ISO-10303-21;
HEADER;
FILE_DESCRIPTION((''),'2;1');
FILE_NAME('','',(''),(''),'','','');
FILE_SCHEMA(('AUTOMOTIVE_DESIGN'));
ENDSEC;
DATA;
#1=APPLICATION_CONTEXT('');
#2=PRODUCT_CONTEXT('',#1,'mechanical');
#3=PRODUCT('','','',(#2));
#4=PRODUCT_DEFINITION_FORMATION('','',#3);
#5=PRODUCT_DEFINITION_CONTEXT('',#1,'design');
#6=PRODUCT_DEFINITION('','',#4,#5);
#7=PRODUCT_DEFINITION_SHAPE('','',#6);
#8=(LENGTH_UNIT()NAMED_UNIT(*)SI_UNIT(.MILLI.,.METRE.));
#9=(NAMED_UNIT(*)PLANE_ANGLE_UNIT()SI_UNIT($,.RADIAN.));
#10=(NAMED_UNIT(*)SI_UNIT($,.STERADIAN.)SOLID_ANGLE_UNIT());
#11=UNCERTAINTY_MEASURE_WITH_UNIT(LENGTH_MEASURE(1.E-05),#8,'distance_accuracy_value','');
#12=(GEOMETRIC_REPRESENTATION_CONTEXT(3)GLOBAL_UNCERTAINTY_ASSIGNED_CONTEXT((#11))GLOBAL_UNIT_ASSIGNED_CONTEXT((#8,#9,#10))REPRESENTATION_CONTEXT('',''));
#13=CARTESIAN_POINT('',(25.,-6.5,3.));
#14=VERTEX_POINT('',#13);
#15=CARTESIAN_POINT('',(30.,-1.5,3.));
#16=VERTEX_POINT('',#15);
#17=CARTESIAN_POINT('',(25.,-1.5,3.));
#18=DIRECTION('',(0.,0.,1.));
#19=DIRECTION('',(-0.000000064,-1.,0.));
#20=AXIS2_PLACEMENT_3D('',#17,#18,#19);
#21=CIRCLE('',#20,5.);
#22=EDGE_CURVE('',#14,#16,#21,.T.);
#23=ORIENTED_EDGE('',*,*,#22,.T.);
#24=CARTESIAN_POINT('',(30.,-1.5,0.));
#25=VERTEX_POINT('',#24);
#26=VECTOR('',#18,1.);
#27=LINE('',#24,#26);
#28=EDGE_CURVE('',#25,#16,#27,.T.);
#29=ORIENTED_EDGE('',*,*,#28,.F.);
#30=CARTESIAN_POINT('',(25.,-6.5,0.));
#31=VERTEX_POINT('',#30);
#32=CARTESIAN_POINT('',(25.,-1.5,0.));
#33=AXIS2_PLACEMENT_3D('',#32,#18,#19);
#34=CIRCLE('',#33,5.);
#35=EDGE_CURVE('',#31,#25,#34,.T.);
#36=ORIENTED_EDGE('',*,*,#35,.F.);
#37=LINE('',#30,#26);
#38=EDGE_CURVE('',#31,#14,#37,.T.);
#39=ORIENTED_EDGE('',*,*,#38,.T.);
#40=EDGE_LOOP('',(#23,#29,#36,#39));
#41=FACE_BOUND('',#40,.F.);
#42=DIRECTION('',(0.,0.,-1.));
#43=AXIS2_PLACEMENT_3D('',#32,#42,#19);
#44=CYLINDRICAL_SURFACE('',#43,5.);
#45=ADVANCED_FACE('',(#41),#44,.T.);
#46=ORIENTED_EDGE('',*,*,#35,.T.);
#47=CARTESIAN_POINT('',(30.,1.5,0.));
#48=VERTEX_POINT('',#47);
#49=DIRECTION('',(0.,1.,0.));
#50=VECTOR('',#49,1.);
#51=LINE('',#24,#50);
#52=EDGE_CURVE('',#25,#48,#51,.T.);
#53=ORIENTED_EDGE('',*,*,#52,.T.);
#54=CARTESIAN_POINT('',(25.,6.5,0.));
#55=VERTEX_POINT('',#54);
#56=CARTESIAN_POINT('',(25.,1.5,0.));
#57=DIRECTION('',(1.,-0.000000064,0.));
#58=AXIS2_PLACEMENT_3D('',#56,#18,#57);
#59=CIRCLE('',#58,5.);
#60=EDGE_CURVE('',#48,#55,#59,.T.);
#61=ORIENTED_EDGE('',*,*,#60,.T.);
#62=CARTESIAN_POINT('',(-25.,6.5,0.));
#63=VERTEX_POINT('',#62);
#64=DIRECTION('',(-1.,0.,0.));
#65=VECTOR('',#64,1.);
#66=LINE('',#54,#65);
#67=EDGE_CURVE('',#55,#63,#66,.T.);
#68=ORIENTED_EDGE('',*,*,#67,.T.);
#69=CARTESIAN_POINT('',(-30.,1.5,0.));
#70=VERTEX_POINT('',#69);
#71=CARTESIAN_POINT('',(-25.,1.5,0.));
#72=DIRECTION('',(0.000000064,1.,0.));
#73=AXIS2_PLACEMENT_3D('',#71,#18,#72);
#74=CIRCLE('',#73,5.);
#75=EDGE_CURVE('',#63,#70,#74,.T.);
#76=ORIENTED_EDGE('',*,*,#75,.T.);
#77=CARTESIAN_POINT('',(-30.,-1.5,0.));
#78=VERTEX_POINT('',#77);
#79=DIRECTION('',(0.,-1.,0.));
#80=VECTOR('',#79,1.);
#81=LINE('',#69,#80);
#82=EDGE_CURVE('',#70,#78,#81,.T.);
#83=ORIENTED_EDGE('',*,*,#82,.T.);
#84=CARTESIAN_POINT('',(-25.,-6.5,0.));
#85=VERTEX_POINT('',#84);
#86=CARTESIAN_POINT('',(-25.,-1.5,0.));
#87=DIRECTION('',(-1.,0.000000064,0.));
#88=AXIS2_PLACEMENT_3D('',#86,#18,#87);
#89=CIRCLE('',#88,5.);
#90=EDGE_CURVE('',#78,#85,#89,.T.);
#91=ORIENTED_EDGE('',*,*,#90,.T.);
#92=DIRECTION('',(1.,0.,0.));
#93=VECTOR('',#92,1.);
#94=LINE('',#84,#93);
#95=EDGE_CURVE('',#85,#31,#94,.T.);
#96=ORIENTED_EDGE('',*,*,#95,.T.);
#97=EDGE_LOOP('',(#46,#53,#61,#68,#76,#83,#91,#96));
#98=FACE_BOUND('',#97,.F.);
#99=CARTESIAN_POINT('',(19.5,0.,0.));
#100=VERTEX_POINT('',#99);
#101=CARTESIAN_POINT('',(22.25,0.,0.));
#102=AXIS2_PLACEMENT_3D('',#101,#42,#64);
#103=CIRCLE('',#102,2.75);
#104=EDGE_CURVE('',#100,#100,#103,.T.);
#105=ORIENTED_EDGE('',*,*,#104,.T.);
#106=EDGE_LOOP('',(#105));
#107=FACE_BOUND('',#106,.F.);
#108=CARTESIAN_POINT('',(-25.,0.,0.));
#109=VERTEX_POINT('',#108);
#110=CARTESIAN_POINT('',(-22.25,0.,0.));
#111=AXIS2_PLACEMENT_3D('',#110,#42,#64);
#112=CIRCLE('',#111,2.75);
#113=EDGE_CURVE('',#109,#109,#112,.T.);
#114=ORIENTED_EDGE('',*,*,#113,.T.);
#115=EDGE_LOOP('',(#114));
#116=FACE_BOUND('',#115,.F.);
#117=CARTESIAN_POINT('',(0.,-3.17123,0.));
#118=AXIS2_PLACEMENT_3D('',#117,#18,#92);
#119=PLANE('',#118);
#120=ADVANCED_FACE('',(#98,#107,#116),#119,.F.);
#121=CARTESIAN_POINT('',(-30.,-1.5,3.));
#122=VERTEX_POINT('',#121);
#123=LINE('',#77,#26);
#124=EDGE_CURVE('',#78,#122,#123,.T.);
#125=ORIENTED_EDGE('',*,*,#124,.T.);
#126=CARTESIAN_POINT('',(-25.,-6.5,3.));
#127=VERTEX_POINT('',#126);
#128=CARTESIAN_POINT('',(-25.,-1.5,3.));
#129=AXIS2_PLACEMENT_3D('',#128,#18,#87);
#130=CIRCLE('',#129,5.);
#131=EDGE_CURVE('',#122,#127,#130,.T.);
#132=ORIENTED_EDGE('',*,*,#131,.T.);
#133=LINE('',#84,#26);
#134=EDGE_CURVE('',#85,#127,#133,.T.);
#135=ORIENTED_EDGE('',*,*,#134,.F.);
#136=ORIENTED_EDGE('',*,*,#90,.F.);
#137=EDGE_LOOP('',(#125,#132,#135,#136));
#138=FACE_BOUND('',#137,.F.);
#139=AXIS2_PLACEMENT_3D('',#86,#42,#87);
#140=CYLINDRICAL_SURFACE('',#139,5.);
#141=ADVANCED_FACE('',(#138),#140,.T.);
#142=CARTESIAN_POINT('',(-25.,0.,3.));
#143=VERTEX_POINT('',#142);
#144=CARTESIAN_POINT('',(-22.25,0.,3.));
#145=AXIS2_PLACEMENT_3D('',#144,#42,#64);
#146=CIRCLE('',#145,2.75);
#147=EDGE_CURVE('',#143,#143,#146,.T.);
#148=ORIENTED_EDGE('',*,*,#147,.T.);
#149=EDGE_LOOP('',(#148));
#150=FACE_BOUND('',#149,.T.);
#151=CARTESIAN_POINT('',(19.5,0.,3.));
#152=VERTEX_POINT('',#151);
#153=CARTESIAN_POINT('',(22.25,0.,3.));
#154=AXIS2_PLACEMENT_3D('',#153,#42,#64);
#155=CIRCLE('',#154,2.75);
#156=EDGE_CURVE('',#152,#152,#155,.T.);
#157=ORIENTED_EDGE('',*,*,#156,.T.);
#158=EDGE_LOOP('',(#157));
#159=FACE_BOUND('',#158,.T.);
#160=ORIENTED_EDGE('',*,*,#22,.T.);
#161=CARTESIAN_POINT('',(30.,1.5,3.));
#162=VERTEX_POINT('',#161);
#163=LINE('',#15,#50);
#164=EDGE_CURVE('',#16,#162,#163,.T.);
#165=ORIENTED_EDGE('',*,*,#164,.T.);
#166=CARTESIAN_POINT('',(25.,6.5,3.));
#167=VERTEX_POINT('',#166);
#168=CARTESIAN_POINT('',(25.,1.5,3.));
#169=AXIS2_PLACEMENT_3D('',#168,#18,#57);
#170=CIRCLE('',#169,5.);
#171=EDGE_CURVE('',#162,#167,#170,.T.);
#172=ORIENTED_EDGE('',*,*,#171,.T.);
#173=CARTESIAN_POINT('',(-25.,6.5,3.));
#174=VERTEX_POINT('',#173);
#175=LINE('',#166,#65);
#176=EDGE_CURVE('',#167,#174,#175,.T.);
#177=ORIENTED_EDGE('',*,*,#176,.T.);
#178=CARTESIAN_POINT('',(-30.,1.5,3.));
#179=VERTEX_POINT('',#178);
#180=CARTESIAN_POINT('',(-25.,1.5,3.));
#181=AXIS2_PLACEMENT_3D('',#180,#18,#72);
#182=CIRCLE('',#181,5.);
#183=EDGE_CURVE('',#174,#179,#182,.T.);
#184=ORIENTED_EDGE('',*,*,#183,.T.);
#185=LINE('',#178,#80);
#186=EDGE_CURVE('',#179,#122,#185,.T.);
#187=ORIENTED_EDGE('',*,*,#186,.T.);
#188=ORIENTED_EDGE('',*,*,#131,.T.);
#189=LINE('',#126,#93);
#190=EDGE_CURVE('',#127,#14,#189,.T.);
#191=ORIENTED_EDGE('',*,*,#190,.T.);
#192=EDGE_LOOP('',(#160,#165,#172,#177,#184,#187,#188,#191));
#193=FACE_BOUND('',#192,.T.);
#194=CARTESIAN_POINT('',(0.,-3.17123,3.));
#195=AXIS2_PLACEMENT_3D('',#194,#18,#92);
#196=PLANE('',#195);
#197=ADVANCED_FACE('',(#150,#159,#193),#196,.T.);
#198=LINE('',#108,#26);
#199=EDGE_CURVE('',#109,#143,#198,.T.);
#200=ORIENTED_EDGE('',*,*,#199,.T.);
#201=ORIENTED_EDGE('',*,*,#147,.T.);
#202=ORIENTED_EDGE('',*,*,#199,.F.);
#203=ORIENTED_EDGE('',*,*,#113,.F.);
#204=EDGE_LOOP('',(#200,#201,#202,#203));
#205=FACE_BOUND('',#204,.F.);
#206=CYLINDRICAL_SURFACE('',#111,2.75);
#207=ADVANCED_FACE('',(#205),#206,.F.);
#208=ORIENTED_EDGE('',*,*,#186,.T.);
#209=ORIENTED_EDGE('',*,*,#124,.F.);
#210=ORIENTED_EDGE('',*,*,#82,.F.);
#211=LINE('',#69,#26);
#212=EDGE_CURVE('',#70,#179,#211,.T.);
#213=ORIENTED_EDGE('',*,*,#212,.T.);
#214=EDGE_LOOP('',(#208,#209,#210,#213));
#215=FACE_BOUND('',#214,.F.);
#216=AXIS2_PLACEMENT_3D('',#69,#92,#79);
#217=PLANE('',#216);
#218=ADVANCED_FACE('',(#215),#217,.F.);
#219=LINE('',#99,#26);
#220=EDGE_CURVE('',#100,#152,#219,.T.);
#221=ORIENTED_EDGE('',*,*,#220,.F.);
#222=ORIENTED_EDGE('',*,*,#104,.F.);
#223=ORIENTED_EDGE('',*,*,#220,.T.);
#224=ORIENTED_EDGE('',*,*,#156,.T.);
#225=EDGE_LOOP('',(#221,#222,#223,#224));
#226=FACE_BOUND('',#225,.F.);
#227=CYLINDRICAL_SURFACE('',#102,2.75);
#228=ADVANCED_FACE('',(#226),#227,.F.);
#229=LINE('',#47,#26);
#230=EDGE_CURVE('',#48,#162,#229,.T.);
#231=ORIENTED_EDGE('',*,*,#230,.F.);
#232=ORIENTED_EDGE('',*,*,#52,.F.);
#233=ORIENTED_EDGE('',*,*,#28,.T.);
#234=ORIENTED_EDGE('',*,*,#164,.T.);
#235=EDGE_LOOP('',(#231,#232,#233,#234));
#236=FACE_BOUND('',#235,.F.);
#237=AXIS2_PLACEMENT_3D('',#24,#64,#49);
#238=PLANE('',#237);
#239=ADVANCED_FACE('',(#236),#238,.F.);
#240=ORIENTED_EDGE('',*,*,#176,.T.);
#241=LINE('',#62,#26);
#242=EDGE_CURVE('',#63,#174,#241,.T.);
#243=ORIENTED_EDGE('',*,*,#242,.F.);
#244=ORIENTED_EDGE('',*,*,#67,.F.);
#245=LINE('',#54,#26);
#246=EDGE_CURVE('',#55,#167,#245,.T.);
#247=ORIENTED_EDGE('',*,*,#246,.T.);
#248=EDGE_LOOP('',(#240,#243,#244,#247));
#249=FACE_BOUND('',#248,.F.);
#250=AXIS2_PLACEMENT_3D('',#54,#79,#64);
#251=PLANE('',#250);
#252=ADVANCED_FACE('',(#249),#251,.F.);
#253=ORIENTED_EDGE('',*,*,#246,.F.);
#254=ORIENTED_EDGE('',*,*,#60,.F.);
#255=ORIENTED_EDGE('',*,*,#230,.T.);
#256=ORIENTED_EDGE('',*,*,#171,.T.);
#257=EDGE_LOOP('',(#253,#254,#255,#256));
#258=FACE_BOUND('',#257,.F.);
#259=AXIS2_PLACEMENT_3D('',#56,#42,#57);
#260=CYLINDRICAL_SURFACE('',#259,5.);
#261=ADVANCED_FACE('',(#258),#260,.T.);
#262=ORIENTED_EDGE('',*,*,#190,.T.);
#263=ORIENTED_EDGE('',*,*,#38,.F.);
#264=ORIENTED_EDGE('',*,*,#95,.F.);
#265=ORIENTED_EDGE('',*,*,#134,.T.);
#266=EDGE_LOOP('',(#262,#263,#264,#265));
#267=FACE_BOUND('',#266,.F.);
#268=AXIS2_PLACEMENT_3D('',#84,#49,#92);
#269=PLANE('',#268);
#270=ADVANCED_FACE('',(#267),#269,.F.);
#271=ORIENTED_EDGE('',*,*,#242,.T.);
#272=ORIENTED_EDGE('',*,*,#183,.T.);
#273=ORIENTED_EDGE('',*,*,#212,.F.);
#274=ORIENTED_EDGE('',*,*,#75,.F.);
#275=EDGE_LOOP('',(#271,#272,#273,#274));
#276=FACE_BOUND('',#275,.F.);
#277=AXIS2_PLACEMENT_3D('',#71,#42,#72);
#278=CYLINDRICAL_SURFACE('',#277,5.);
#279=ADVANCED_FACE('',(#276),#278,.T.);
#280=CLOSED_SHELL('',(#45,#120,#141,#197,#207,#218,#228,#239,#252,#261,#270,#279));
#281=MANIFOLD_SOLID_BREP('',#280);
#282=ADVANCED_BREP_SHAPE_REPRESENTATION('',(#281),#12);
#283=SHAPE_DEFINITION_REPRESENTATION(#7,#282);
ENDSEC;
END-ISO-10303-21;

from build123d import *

# Parameters (mm, degrees)
F1_DEPTH = 3


with BuildPart() as f1:
    # F0 (on Top) → F1 (new body)
    with BuildSketch(Plane.XY):
        with BuildLine():
            Line((-25, -6.5), (25, -6.5))
            ThreePointArc((25, -6.5), (28.535534, -5.035534), (30, -1.5))
            Line((30, -1.5), (30, 0))
            Line((30, 0), (25, 0))
            ThreePointArc((25, 0), (22.25, -2.75), (19.5, 0))
            Line((19.5, 0), (-19.5, 0))
            ThreePointArc((-19.5, 0), (-22.25, -2.75), (-25, 0))
            Line((-25, 0), (-30, 0))
            Line((-30, 0), (-30, -1.5))
            ThreePointArc((-30, -1.5), (-28.535534, -5.035534), (-25, -6.5))
        make_face()
        with BuildLine():
            Line((25, 0), (30, 0))
            Line((30, 0), (30, 1.5))
            ThreePointArc((30, 1.5), (28.535534, 5.035534), (25, 6.5))
            Line((25, 6.5), (-25, 6.5))
            ThreePointArc((-25, 6.5), (-28.535534, 5.035534), (-30, 1.5))
            Line((-30, 1.5), (-30, 0))
            Line((-30, 0), (-25, 0))
            ThreePointArc((-25, 0), (-22.25, 2.75), (-19.5, 0))
            Line((-19.5, 0), (19.5, 0))
            ThreePointArc((19.5, 0), (22.25, 2.75), (25, 0))
        make_face()
    extrude(amount=F1_DEPTH)


solid = f1.part
